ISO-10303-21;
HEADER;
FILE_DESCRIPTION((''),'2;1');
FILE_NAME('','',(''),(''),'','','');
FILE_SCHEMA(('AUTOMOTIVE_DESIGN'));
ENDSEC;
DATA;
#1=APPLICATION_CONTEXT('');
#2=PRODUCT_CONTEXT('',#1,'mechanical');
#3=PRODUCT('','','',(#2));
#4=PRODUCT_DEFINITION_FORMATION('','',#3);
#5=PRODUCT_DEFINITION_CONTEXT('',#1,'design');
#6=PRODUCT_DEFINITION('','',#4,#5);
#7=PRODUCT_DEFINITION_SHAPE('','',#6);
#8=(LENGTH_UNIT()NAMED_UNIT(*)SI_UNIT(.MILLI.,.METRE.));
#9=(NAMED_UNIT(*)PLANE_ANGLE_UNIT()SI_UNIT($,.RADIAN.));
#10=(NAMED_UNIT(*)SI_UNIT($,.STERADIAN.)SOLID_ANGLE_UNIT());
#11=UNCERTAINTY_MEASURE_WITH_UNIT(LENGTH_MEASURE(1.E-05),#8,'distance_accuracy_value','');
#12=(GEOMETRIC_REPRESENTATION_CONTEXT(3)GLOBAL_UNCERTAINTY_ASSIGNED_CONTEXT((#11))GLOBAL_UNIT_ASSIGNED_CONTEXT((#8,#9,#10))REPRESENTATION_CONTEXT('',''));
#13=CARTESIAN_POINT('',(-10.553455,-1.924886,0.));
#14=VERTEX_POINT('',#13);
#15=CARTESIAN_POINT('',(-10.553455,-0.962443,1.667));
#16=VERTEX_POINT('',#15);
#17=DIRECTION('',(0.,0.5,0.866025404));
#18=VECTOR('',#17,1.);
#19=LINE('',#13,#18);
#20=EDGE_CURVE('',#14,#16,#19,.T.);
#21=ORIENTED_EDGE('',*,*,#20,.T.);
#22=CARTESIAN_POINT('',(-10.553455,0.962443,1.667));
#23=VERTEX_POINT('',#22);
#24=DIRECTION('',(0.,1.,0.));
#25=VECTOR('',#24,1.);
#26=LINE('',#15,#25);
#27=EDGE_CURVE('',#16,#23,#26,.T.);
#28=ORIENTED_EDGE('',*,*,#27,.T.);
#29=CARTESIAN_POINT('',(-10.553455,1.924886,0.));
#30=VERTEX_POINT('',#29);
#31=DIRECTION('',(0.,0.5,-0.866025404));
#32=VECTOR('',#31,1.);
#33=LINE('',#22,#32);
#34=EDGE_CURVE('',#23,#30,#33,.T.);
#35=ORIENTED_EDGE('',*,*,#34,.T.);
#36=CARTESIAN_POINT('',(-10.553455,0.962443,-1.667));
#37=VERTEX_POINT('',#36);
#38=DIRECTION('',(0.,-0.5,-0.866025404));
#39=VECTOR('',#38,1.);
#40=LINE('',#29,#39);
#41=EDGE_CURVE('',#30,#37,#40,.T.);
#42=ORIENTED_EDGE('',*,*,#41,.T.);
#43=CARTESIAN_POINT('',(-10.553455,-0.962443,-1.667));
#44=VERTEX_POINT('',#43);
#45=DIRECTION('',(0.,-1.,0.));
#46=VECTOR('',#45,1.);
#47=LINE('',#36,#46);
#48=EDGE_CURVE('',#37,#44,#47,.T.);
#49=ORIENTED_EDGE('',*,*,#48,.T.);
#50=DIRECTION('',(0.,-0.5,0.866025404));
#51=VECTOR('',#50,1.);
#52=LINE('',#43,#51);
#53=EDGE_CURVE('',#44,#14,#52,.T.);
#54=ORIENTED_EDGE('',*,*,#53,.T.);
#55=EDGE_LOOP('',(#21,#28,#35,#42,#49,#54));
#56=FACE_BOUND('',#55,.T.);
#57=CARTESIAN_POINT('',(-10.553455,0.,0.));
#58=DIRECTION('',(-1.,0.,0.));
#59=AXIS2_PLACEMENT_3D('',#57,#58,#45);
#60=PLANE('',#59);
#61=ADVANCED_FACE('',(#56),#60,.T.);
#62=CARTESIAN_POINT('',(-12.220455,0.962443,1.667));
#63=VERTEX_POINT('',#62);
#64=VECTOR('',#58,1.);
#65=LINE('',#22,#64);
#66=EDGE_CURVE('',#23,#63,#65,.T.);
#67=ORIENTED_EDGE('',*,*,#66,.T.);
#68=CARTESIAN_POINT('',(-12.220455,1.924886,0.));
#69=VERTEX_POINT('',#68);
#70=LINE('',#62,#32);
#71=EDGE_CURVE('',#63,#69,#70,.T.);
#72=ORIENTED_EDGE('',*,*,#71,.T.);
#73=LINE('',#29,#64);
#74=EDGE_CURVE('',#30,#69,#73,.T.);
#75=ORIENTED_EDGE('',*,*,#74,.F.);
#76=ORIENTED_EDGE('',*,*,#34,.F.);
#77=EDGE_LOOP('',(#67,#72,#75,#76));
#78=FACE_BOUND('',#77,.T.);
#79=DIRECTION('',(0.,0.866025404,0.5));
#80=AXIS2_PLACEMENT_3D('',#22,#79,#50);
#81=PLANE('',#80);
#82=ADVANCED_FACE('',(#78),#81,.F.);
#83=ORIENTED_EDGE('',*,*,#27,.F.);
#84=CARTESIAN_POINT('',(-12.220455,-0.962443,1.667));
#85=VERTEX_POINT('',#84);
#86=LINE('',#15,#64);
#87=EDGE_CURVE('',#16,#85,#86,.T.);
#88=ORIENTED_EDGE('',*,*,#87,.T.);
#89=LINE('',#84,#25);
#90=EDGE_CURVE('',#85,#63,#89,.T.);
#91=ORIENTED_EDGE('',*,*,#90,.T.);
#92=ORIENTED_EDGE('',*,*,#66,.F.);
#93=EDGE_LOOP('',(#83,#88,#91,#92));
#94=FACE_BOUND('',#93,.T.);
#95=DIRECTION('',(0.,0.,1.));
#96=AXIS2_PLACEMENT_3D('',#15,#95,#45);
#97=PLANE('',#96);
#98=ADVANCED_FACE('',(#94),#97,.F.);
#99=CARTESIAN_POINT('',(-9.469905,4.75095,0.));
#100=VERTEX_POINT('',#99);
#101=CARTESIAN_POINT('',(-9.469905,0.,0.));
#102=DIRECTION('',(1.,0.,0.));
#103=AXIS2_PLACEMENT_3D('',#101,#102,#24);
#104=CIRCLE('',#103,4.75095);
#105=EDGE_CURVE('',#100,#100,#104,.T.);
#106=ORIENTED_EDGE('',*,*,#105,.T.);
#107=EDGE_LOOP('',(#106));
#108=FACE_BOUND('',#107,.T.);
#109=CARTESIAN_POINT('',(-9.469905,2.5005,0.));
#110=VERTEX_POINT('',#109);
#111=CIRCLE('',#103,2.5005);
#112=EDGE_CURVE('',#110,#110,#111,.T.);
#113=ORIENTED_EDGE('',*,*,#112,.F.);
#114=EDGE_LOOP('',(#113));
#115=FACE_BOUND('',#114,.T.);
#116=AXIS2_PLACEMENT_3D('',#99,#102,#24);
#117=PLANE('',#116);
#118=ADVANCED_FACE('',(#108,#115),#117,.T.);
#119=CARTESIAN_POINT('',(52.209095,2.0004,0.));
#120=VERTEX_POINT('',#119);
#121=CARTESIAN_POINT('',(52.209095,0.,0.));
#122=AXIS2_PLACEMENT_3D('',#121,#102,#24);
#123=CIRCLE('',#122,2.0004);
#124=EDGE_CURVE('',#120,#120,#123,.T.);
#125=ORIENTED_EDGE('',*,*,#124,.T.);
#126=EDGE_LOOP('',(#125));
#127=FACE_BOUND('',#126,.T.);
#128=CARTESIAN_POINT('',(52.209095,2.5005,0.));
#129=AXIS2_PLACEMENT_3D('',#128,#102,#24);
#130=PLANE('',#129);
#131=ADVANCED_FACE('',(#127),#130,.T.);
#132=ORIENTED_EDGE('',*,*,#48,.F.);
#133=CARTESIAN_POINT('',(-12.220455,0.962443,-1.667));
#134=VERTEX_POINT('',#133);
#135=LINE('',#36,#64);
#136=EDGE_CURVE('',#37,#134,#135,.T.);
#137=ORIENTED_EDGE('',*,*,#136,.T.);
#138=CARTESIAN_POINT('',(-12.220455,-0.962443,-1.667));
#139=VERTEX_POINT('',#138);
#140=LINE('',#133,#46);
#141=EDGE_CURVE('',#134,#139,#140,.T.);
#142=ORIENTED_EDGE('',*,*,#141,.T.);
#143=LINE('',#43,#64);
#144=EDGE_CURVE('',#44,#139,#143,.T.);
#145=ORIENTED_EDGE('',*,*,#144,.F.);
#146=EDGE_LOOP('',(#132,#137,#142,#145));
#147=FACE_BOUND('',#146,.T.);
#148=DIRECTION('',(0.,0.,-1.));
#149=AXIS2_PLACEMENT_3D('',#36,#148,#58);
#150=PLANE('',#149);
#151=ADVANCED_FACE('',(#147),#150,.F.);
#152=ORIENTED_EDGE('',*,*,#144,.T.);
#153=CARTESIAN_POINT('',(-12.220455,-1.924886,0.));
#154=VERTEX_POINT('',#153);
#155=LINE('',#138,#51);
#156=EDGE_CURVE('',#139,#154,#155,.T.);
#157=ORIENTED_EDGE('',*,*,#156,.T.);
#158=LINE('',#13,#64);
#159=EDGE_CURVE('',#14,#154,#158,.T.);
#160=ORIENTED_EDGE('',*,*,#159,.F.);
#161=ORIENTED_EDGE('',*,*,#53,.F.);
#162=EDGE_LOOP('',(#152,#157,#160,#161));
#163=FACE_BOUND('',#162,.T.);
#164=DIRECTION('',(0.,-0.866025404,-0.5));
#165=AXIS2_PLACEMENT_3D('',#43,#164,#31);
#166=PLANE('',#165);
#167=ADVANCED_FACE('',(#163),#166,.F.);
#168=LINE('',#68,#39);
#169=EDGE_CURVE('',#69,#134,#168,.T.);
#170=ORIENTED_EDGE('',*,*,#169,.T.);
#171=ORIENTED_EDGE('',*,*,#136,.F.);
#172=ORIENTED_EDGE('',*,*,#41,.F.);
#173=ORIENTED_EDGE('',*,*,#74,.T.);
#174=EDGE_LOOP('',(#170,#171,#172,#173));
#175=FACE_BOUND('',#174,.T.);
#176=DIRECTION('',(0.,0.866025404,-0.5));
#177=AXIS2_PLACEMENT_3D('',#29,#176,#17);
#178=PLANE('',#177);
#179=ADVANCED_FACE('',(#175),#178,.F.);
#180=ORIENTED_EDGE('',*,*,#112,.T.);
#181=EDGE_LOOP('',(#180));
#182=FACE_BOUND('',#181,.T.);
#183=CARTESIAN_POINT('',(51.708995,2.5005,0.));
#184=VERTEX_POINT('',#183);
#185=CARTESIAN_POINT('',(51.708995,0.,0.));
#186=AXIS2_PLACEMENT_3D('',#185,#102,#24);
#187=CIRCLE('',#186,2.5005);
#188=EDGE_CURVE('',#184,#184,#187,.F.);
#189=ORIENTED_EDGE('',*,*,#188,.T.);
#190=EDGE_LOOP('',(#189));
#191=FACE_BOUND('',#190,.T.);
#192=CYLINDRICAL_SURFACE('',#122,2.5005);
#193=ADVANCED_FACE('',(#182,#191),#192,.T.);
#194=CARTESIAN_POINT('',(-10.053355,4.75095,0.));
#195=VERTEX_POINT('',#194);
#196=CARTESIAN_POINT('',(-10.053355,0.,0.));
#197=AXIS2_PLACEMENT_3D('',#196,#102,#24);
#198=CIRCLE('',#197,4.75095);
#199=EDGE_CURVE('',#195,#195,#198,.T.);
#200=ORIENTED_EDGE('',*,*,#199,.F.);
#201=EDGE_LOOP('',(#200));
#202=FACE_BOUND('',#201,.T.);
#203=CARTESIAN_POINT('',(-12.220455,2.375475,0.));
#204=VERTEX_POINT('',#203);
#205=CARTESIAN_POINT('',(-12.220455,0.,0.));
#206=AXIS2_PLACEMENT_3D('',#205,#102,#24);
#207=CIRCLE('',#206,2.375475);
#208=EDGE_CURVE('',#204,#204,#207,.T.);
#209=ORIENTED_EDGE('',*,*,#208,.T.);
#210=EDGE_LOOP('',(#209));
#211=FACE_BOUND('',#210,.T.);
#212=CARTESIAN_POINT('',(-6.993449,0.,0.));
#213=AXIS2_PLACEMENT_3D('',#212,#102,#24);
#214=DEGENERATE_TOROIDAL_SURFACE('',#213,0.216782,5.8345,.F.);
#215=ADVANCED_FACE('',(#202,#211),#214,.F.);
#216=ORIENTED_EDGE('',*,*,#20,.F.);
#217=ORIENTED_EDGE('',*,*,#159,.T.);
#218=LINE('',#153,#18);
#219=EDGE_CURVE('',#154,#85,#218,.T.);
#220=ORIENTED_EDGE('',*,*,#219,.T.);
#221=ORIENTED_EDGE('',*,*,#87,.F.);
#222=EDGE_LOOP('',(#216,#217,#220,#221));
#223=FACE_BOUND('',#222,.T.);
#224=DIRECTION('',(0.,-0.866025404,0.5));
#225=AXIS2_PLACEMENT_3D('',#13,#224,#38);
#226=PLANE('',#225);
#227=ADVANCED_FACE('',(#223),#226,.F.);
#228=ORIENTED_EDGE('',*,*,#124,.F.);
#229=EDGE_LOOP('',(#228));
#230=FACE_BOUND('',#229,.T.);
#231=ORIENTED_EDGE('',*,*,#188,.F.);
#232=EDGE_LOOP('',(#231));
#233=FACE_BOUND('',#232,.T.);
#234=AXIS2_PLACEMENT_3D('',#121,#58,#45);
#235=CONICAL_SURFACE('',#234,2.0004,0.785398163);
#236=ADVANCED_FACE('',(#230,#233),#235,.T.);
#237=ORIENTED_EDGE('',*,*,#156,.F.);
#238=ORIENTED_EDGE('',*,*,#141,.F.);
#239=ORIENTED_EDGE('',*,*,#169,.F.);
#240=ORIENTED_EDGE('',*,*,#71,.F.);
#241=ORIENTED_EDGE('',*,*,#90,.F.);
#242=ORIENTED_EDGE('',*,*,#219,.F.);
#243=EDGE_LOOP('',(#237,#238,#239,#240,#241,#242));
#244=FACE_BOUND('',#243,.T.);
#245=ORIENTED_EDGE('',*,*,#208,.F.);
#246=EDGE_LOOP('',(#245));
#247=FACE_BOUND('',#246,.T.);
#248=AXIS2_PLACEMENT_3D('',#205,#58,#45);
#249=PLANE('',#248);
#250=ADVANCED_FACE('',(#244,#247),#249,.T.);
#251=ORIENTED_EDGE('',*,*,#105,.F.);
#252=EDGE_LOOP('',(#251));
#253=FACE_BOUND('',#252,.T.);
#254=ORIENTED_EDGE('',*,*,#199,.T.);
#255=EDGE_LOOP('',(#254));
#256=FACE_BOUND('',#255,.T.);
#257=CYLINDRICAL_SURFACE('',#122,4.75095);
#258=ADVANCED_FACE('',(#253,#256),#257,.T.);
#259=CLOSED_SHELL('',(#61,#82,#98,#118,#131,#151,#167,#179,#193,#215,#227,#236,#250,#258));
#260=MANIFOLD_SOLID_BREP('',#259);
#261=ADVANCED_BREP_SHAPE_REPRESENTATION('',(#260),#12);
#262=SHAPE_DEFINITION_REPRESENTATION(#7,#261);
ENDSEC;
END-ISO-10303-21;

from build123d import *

# Parameters (mm, degrees)
CHAMFER1_SIZE      = 0.3
CUT_EXTRUDE1_DEPTH = 1
SCALE1_SCALE       = 1.667


with BuildPart() as part:
    # Sketch1 → Revolve1 (revolve)
    with BuildSketch(Plane.XY):
        with BuildLine():
            Line((38.65, 0), (0, 0))
            Line((0, 0), (0, 1.425))
            ThreePointArc((0, 1.425), (0.549895392, 2.228823502), (1.3, 2.85))
            Line((1.3, 2.85), (1.65, 2.85))
            Line((1.65, 2.85), (1.65, 1.5))
            Line((1.65, 1.5), (38.65, 1.5))
            Line((38.65, 1.5), (38.65, 0))
        make_face()
    revolve(axis=Axis((38.65, 0, 0), (-1, 0, 0)))

    # Chamfer1
    chamfer1_edges = [part.edges().sort_by_distance(p)[0] for p in [
        (38.65, -1.5, 0),
    ]]
    chamfer(chamfer1_edges, length=CHAMFER1_SIZE)

    # Sketch2 → Cut-Extrude1 (cut)
    with BuildSketch(Plane.ZY):
        Polygon((0, 1.154700538), (-1, 0.577350269), (-1, -0.577350269), (0, -1.154700538), (1, -0.577350269), (1, 0.577350269), align=None)
    extrude(amount=-CUT_EXTRUDE1_DEPTH, mode=Mode.SUBTRACT)


with BuildPart() as part_1:
    # Scale1: scaled about (18.321522069, 0, 0)
    add(part.part.scale(SCALE1_SCALE).moved(Location((-12.22045522, 0, 0))))


solid = part_1.part
